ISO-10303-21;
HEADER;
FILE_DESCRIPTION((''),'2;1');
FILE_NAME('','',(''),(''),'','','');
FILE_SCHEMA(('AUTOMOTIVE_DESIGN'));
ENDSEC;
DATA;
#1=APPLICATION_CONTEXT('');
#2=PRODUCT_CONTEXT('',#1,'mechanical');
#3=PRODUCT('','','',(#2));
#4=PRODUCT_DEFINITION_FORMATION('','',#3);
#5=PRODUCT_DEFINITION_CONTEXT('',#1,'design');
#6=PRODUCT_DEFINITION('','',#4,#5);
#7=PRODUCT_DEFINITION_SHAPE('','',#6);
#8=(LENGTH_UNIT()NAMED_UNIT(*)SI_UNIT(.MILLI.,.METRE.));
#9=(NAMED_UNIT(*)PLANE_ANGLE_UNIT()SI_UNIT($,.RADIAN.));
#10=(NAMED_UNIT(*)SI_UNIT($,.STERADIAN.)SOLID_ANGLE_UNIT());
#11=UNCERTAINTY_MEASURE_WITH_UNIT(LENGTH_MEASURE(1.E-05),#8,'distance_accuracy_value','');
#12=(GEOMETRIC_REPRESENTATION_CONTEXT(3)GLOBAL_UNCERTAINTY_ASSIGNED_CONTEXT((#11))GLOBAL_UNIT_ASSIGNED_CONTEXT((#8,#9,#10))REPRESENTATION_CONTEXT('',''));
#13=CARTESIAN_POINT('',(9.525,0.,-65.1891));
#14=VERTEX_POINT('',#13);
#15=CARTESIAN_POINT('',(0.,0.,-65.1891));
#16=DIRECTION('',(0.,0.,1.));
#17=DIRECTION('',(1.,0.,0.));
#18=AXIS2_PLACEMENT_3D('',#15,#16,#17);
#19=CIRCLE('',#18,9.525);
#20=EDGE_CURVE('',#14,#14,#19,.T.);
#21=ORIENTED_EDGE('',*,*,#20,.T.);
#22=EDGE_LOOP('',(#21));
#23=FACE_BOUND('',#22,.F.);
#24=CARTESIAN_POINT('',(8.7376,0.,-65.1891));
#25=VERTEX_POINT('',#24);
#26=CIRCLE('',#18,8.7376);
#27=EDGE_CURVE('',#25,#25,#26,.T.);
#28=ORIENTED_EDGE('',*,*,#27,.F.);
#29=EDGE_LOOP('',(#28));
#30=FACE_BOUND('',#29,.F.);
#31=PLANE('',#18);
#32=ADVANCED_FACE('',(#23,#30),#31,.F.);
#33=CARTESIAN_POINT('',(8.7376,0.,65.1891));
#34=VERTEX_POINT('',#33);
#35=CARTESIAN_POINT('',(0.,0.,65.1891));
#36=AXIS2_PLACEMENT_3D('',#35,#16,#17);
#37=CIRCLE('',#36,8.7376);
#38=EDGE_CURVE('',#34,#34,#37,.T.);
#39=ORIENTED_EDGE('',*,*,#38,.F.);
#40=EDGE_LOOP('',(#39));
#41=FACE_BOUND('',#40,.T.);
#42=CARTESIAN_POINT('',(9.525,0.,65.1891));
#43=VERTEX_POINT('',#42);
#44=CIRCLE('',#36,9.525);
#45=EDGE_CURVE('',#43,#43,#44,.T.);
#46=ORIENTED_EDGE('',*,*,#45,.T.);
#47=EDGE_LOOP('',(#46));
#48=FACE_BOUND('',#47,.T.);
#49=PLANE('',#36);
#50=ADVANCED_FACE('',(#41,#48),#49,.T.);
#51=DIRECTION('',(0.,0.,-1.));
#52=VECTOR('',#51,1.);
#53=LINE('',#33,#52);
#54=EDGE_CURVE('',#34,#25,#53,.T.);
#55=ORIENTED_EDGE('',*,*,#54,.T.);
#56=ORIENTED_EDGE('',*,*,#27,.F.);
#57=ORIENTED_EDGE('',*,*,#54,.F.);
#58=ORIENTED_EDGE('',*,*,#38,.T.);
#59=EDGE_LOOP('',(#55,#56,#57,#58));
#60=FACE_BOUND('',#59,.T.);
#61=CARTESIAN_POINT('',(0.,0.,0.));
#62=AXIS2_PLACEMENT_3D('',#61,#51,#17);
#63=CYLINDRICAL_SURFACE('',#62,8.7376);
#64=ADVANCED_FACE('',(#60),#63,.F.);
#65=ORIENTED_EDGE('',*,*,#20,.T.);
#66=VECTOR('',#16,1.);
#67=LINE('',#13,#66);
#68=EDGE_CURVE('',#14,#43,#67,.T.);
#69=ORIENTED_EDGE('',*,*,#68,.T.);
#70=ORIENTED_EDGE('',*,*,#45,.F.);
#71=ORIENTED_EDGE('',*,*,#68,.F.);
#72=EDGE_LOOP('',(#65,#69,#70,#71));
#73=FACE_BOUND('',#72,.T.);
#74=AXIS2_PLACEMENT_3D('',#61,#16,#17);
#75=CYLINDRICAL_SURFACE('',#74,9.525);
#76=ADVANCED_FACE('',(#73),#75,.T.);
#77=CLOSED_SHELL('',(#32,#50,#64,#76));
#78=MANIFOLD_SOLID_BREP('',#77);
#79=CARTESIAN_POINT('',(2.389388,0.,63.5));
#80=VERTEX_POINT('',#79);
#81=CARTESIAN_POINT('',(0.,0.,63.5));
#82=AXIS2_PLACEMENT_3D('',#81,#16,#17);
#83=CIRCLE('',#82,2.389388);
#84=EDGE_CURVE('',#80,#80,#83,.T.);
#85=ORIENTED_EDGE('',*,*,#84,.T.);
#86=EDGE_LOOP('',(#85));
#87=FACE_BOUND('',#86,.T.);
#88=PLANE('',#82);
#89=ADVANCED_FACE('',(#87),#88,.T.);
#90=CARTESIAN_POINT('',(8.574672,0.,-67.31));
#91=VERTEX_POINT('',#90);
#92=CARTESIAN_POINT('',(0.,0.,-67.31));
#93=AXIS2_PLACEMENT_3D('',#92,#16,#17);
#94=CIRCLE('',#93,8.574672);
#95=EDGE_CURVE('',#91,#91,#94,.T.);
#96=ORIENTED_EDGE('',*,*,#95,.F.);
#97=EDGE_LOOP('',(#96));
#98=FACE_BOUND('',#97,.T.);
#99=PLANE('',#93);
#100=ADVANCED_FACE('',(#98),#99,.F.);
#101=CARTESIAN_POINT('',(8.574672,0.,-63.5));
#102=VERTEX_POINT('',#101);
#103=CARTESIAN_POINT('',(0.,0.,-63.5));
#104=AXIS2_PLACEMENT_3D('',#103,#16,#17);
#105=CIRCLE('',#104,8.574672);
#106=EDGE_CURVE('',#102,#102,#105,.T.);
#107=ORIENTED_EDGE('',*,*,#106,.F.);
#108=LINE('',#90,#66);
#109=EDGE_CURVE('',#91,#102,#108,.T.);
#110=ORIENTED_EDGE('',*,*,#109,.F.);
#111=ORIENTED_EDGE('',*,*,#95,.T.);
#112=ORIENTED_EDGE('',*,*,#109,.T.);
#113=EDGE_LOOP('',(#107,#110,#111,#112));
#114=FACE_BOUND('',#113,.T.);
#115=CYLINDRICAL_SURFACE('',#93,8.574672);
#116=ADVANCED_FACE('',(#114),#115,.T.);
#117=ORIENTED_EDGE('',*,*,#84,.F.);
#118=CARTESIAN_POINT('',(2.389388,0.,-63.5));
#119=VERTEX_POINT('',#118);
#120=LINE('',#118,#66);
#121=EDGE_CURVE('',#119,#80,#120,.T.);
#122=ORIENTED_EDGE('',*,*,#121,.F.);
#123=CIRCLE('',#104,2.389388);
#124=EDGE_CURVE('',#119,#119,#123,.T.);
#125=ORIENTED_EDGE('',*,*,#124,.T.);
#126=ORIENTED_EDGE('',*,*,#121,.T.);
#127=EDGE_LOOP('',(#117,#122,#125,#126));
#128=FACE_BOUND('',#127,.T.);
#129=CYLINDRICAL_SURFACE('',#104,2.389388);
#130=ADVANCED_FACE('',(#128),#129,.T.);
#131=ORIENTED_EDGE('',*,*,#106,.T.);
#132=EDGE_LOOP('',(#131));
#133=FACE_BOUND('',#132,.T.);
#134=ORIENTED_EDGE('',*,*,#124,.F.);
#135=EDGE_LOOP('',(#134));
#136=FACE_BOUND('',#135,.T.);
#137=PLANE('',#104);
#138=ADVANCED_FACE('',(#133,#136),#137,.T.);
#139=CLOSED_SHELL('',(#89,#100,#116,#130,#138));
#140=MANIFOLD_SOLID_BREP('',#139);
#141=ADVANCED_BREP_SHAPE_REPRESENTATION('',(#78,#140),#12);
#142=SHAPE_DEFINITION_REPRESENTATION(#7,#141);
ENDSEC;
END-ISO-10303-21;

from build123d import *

# Parameters (mm, degrees)
F0_R     = 9.525
F0_R_2   = 8.7376
F1_DEPTH = 65.1891


with BuildPart() as f1:
    # F0 (on Top) → F1 (new body, symmetric)
    with BuildSketch(Plane.XY):
        Circle(F0_R)
        Circle(F0_R_2, mode=Mode.SUBTRACT)
    extrude(amount=F1_DEPTH, both=True)


with BuildPart() as f3:
    # F2 (on Front) → F3 (revolve)
    with BuildSketch(Plane.XZ):
        Polygon((0, 63.5), (0, -67.31), (8.574672, -67.31), (8.574672, -63.5), (2.389388, -63.5), (2.389388, 63.5), align=None)
    revolve(axis=Axis((0, 0, -1.905), (0, 0, 1)))


solid = Compound([f1.part, f3.part])
